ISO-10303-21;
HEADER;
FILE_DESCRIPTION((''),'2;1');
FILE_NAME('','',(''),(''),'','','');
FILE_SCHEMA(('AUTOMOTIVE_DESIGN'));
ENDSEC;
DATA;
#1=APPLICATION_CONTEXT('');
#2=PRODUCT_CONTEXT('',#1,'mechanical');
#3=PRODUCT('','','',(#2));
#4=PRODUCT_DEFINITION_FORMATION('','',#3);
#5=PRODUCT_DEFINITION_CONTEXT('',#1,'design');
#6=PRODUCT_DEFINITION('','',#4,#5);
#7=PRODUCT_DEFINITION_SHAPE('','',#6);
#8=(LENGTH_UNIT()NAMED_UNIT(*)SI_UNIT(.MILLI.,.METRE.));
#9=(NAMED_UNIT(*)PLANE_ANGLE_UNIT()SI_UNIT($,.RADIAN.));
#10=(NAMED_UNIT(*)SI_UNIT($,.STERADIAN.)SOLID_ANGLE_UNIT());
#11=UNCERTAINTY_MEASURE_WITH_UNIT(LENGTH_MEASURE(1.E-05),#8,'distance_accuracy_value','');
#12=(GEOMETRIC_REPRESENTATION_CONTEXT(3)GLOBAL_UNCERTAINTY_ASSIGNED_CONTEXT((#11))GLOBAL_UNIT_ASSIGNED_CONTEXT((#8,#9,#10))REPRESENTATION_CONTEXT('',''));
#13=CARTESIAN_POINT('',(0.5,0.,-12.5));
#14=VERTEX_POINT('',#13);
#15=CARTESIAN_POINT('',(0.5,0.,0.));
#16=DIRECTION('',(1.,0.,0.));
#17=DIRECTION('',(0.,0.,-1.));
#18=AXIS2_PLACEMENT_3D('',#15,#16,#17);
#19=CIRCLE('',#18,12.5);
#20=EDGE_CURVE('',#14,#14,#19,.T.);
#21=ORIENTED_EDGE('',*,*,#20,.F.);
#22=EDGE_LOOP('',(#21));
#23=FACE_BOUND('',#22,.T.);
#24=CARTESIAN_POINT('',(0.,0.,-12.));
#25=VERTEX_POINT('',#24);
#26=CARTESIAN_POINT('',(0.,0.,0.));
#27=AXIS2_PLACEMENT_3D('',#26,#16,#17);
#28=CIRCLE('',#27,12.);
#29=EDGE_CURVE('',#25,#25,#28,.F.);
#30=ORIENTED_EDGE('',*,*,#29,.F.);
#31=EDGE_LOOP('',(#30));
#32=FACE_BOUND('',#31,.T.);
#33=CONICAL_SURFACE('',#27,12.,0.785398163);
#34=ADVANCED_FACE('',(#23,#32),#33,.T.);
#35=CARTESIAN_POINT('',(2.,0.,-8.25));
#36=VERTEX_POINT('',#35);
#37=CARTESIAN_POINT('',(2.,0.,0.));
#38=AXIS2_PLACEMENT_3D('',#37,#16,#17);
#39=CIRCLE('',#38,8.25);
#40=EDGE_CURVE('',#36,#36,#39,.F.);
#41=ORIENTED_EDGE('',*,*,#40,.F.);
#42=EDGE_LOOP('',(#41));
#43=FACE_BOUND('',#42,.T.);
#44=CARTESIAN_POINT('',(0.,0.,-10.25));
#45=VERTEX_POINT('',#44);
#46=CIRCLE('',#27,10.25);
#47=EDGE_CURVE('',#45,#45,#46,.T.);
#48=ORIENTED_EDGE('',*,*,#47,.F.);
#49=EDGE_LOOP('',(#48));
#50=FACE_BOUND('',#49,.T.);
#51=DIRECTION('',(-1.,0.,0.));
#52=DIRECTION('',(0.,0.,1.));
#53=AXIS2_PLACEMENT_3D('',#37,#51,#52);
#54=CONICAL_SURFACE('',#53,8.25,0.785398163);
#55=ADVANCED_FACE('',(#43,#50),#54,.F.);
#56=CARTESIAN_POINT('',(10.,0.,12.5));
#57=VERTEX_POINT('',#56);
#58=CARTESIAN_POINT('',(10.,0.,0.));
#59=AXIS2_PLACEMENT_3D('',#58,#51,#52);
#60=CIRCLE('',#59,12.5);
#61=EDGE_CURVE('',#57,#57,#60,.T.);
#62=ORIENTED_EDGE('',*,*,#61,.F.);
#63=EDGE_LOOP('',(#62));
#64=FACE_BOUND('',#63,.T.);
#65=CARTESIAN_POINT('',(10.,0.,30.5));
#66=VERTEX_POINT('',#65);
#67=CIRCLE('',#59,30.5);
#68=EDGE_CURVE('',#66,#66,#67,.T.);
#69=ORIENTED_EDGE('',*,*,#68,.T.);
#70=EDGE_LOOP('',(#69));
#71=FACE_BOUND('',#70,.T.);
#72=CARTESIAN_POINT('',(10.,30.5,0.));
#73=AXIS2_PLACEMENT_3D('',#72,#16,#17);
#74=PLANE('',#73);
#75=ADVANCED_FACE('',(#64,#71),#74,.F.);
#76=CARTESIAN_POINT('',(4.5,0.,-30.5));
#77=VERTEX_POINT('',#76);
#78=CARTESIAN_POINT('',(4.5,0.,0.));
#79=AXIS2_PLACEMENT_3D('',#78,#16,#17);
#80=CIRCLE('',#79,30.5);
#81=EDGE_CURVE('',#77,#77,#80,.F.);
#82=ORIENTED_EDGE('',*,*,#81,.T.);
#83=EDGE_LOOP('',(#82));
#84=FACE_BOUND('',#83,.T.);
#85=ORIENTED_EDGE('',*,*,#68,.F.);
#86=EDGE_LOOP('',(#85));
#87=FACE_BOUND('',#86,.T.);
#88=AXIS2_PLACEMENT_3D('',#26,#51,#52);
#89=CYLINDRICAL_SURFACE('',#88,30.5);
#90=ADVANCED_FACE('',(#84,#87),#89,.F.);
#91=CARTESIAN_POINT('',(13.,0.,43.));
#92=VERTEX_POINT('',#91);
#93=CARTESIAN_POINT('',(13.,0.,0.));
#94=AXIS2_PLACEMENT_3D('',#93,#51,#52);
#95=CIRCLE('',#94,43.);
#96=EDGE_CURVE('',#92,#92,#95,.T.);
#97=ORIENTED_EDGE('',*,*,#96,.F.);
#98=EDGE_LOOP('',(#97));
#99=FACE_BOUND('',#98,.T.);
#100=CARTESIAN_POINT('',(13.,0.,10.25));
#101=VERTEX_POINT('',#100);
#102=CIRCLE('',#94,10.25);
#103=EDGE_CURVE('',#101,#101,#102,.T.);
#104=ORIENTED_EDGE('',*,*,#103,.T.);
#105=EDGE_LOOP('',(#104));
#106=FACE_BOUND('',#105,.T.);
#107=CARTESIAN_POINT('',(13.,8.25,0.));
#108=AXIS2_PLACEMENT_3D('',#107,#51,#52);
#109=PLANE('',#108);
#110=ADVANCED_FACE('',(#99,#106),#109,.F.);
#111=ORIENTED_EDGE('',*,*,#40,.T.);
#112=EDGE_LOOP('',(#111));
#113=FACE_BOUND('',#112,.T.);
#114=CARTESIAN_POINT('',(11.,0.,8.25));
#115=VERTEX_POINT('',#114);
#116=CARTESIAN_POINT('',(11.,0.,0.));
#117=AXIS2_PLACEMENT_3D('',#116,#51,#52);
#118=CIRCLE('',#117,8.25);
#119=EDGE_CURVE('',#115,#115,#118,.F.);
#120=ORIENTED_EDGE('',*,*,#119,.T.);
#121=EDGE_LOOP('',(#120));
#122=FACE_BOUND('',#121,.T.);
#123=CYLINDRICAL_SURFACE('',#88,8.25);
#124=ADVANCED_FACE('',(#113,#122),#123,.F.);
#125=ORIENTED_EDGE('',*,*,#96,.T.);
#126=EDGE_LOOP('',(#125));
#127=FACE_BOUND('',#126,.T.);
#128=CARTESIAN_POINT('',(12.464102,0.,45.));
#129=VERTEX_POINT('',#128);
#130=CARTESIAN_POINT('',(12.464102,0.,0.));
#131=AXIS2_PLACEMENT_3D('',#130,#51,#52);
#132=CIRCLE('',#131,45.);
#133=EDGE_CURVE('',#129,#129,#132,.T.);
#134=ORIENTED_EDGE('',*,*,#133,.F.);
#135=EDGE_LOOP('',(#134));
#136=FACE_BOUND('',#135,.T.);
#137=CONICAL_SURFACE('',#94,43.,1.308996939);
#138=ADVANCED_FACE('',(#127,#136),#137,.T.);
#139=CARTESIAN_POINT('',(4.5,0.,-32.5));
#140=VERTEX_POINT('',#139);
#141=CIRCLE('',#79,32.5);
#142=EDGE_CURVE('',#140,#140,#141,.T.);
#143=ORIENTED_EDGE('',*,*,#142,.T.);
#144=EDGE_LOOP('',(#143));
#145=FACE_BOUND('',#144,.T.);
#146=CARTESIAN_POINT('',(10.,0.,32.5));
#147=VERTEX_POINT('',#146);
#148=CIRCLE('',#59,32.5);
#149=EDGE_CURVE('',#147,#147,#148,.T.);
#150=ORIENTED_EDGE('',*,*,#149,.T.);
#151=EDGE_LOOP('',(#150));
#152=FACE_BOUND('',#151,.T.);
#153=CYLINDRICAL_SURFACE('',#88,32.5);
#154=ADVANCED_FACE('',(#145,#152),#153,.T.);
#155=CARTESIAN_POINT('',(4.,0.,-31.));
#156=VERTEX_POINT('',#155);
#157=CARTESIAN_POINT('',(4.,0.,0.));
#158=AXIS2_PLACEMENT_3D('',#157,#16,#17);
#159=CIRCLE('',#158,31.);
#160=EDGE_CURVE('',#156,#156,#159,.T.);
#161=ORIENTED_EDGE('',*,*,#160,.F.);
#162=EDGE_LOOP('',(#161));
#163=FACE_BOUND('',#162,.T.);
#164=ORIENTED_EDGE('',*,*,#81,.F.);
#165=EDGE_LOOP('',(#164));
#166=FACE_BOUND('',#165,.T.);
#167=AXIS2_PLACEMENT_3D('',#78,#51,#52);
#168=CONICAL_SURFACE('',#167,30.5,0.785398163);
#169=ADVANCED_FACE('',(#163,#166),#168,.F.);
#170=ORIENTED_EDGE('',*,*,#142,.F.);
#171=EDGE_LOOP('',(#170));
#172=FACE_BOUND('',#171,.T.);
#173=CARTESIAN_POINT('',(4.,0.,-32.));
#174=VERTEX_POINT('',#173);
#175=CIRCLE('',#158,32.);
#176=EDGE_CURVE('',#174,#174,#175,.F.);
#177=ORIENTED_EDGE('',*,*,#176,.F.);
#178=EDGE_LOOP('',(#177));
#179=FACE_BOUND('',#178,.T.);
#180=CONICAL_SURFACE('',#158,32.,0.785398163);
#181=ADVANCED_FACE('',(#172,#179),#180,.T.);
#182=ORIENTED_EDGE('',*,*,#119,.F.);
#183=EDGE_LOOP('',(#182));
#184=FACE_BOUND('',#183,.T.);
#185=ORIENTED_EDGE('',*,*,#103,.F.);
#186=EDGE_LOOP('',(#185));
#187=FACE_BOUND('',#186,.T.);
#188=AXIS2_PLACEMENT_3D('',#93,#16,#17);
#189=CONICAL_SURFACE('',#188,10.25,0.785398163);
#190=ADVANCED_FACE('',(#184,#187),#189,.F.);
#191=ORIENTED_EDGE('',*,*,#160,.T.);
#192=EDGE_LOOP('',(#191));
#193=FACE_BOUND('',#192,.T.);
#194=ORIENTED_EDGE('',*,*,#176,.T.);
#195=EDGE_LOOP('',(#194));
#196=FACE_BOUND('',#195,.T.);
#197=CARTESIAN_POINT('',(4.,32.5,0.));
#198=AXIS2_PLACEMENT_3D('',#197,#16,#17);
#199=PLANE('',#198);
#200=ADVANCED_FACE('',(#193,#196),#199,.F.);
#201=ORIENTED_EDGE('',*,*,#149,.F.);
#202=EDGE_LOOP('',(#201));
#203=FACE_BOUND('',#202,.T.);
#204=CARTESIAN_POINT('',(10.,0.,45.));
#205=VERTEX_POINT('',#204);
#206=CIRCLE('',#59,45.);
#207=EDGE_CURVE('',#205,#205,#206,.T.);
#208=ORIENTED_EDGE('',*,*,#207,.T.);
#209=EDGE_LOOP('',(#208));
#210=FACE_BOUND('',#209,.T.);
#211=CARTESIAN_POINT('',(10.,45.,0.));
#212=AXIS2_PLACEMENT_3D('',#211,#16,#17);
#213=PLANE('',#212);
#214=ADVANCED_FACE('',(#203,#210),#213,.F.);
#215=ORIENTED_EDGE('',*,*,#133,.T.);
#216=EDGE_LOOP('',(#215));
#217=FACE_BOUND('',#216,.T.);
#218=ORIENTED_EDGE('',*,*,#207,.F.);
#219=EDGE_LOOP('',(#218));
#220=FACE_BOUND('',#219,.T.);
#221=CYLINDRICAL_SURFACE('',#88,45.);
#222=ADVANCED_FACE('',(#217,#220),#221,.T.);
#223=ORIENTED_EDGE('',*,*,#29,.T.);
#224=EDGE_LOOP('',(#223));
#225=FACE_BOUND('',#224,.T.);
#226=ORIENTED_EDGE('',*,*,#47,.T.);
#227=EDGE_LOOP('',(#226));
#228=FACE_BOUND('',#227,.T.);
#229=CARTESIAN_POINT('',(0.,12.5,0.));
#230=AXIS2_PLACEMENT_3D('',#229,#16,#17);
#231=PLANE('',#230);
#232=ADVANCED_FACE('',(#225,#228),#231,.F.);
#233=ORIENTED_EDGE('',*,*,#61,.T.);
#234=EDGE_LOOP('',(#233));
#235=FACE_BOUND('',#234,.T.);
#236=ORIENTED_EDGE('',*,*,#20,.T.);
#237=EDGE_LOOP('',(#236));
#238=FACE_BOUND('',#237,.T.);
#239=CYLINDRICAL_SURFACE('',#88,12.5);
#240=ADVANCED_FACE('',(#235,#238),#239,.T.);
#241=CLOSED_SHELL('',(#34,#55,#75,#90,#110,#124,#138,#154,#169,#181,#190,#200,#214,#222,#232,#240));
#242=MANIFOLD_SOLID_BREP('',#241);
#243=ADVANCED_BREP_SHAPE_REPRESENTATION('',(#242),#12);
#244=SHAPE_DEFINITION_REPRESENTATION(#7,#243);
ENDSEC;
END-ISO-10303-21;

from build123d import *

# Parameters (mm, degrees)
CHAMFER_1_SIZE = 2
CHAMFER_3_SIZE = 0.5


with BuildPart() as part:
    # Эскиз1 → Повернуть1 (revolve)
    with BuildSketch(Plane.XY):
        Polygon((0, 8.25), (13, 8.25), (13, 43), (12.464101615, 45), (10, 45), (10, 32.5), (4, 32.5), (4, 30.5), (10, 30.5), (10, 12.5), (0, 12.5), align=None)
    revolve(axis=Axis((0, 0, 0), (1, 0, 0)))

    # Фаска1
    chamfer_1_edges = [part.edges().sort_by_distance(p)[0] for p in [
        (13, -8.25, 0),
        (0, -8.25, 0),
    ]]
    chamfer(chamfer_1_edges, length=CHAMFER_1_SIZE)

    # Фаска3
    chamfer_3_edges = [part.edges().sort_by_distance(p)[0] for p in [
        (4, -30.5, 0),
        (4, -32.5, 0),
        (0, -12.5, 0),
    ]]
    chamfer(chamfer_3_edges, length=CHAMFER_3_SIZE)


solid = part.part
